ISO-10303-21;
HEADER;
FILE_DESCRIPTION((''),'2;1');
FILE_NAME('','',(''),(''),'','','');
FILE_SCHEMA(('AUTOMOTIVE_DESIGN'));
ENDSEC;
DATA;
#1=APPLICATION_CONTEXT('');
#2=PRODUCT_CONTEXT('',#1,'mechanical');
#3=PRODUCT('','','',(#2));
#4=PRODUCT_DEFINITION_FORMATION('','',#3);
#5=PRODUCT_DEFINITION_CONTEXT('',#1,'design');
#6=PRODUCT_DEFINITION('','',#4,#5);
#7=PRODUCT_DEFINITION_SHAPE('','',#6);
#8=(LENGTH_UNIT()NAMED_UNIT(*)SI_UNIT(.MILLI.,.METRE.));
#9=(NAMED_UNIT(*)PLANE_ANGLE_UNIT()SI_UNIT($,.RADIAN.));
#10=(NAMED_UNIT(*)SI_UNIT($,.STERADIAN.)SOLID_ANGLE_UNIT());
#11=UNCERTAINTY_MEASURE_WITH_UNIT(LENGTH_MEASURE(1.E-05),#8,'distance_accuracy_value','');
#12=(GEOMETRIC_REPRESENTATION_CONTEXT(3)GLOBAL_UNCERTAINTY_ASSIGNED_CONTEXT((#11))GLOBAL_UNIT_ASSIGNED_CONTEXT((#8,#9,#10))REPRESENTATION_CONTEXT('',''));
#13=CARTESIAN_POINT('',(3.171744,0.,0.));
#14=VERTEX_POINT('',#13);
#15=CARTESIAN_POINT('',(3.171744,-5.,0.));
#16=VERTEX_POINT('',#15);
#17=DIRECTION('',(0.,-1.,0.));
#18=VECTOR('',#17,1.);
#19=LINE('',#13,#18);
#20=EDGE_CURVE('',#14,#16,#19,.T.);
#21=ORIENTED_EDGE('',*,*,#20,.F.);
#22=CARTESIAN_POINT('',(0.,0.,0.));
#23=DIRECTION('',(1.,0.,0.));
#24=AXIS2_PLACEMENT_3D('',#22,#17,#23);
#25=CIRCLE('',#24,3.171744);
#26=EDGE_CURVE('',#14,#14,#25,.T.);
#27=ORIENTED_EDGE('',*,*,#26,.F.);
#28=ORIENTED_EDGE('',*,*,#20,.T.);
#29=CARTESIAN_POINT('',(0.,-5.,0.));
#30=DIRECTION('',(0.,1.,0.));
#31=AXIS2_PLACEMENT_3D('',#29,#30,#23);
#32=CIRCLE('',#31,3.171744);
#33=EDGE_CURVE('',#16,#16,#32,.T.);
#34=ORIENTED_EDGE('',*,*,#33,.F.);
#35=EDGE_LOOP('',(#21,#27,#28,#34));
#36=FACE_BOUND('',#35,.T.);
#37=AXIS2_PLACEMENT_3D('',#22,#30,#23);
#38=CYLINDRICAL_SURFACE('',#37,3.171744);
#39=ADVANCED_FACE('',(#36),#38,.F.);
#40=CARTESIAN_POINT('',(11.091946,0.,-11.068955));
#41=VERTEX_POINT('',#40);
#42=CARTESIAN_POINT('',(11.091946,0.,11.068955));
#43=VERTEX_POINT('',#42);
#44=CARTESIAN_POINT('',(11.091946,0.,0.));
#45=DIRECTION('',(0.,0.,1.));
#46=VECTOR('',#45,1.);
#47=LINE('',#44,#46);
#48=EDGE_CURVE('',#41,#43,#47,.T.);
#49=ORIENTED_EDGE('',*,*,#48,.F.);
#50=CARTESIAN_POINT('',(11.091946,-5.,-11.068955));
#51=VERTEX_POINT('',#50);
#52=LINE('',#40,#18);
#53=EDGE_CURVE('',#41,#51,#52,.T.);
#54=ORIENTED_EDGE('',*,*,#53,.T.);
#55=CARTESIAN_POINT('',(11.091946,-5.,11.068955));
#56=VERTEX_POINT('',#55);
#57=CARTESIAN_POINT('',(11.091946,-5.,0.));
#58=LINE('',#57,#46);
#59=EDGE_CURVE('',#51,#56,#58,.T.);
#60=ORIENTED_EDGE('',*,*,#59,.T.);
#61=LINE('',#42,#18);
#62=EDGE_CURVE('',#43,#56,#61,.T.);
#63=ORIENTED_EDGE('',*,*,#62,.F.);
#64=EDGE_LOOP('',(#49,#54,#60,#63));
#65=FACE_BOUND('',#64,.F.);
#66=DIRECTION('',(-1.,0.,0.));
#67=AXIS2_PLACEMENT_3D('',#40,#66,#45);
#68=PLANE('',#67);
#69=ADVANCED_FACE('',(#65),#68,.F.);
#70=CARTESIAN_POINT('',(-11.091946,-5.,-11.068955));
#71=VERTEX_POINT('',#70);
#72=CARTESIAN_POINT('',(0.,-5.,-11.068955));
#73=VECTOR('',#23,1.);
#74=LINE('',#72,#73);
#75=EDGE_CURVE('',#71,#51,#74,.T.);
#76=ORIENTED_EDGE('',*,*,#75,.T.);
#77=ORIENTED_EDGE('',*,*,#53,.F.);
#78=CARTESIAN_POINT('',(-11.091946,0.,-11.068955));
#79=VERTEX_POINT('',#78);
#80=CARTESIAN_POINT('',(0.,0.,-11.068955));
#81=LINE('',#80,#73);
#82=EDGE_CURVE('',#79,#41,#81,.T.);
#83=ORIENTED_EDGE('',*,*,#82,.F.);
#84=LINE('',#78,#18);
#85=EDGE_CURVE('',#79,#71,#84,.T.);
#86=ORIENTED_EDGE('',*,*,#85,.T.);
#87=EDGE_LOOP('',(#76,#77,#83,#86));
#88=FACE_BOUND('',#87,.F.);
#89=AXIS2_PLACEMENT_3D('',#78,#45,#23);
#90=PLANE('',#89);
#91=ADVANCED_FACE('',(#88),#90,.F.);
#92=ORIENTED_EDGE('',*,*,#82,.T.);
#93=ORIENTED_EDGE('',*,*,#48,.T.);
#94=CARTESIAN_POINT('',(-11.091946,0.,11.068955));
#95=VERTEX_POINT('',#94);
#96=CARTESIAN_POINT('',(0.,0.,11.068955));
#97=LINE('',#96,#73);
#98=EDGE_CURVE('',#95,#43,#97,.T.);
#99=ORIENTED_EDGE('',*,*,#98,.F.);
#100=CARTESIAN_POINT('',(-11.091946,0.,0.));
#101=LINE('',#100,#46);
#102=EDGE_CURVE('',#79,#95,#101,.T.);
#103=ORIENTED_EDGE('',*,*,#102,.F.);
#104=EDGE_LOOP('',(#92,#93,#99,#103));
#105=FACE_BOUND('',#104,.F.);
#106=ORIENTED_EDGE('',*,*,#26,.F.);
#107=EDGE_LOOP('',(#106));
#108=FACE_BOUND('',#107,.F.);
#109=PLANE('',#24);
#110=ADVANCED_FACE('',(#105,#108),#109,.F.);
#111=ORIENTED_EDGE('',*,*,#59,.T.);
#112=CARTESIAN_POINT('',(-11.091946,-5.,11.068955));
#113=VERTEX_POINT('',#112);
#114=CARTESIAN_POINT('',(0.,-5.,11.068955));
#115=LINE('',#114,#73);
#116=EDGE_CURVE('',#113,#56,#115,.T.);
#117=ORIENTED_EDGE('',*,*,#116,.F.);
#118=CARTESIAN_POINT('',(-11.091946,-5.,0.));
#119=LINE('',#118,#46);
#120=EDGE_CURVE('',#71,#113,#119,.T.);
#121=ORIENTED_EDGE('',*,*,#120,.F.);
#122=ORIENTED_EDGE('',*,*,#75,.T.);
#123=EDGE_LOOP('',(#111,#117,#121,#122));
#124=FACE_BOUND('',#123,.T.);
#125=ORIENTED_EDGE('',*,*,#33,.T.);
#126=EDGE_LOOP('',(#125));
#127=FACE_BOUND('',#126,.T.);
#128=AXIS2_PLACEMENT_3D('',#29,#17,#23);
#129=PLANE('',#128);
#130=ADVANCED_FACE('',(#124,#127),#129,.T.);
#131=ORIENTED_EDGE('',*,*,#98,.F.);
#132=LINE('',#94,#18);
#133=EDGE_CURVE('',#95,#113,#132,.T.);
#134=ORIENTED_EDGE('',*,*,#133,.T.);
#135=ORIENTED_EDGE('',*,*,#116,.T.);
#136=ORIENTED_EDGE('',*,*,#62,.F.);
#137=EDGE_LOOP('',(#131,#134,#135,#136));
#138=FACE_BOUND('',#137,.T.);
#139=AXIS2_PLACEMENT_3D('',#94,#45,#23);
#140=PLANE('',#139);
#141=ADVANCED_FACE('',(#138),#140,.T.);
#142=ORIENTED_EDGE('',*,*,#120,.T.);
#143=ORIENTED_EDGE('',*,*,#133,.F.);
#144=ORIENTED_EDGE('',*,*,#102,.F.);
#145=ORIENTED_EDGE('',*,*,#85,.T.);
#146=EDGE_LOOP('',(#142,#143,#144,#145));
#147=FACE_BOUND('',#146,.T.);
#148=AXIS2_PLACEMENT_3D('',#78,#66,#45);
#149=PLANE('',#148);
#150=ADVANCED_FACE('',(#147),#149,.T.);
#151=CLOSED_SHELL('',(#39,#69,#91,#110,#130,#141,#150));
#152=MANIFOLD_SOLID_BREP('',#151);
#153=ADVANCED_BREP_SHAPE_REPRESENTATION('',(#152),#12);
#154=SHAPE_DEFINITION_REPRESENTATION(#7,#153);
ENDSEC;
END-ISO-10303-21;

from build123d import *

# Parameters (mm, degrees)
F1_W     = 22.183892
F1_H     = 22.13791
F2_DEPTH = 5
F0_R     = 3.171744
F3_DEPTH = 25


with BuildPart() as f2:
    # F1 (on Front) → F2 (new body)
    with BuildSketch(Plane.XZ):
        Rectangle(F1_W, F1_H)
    extrude(amount=F2_DEPTH)

    # F0 (on Front) → F3 (cut)
    with BuildSketch(Plane.XZ):
        Circle(F0_R)
    extrude(amount=F3_DEPTH, mode=Mode.SUBTRACT)


solid = f2.part
